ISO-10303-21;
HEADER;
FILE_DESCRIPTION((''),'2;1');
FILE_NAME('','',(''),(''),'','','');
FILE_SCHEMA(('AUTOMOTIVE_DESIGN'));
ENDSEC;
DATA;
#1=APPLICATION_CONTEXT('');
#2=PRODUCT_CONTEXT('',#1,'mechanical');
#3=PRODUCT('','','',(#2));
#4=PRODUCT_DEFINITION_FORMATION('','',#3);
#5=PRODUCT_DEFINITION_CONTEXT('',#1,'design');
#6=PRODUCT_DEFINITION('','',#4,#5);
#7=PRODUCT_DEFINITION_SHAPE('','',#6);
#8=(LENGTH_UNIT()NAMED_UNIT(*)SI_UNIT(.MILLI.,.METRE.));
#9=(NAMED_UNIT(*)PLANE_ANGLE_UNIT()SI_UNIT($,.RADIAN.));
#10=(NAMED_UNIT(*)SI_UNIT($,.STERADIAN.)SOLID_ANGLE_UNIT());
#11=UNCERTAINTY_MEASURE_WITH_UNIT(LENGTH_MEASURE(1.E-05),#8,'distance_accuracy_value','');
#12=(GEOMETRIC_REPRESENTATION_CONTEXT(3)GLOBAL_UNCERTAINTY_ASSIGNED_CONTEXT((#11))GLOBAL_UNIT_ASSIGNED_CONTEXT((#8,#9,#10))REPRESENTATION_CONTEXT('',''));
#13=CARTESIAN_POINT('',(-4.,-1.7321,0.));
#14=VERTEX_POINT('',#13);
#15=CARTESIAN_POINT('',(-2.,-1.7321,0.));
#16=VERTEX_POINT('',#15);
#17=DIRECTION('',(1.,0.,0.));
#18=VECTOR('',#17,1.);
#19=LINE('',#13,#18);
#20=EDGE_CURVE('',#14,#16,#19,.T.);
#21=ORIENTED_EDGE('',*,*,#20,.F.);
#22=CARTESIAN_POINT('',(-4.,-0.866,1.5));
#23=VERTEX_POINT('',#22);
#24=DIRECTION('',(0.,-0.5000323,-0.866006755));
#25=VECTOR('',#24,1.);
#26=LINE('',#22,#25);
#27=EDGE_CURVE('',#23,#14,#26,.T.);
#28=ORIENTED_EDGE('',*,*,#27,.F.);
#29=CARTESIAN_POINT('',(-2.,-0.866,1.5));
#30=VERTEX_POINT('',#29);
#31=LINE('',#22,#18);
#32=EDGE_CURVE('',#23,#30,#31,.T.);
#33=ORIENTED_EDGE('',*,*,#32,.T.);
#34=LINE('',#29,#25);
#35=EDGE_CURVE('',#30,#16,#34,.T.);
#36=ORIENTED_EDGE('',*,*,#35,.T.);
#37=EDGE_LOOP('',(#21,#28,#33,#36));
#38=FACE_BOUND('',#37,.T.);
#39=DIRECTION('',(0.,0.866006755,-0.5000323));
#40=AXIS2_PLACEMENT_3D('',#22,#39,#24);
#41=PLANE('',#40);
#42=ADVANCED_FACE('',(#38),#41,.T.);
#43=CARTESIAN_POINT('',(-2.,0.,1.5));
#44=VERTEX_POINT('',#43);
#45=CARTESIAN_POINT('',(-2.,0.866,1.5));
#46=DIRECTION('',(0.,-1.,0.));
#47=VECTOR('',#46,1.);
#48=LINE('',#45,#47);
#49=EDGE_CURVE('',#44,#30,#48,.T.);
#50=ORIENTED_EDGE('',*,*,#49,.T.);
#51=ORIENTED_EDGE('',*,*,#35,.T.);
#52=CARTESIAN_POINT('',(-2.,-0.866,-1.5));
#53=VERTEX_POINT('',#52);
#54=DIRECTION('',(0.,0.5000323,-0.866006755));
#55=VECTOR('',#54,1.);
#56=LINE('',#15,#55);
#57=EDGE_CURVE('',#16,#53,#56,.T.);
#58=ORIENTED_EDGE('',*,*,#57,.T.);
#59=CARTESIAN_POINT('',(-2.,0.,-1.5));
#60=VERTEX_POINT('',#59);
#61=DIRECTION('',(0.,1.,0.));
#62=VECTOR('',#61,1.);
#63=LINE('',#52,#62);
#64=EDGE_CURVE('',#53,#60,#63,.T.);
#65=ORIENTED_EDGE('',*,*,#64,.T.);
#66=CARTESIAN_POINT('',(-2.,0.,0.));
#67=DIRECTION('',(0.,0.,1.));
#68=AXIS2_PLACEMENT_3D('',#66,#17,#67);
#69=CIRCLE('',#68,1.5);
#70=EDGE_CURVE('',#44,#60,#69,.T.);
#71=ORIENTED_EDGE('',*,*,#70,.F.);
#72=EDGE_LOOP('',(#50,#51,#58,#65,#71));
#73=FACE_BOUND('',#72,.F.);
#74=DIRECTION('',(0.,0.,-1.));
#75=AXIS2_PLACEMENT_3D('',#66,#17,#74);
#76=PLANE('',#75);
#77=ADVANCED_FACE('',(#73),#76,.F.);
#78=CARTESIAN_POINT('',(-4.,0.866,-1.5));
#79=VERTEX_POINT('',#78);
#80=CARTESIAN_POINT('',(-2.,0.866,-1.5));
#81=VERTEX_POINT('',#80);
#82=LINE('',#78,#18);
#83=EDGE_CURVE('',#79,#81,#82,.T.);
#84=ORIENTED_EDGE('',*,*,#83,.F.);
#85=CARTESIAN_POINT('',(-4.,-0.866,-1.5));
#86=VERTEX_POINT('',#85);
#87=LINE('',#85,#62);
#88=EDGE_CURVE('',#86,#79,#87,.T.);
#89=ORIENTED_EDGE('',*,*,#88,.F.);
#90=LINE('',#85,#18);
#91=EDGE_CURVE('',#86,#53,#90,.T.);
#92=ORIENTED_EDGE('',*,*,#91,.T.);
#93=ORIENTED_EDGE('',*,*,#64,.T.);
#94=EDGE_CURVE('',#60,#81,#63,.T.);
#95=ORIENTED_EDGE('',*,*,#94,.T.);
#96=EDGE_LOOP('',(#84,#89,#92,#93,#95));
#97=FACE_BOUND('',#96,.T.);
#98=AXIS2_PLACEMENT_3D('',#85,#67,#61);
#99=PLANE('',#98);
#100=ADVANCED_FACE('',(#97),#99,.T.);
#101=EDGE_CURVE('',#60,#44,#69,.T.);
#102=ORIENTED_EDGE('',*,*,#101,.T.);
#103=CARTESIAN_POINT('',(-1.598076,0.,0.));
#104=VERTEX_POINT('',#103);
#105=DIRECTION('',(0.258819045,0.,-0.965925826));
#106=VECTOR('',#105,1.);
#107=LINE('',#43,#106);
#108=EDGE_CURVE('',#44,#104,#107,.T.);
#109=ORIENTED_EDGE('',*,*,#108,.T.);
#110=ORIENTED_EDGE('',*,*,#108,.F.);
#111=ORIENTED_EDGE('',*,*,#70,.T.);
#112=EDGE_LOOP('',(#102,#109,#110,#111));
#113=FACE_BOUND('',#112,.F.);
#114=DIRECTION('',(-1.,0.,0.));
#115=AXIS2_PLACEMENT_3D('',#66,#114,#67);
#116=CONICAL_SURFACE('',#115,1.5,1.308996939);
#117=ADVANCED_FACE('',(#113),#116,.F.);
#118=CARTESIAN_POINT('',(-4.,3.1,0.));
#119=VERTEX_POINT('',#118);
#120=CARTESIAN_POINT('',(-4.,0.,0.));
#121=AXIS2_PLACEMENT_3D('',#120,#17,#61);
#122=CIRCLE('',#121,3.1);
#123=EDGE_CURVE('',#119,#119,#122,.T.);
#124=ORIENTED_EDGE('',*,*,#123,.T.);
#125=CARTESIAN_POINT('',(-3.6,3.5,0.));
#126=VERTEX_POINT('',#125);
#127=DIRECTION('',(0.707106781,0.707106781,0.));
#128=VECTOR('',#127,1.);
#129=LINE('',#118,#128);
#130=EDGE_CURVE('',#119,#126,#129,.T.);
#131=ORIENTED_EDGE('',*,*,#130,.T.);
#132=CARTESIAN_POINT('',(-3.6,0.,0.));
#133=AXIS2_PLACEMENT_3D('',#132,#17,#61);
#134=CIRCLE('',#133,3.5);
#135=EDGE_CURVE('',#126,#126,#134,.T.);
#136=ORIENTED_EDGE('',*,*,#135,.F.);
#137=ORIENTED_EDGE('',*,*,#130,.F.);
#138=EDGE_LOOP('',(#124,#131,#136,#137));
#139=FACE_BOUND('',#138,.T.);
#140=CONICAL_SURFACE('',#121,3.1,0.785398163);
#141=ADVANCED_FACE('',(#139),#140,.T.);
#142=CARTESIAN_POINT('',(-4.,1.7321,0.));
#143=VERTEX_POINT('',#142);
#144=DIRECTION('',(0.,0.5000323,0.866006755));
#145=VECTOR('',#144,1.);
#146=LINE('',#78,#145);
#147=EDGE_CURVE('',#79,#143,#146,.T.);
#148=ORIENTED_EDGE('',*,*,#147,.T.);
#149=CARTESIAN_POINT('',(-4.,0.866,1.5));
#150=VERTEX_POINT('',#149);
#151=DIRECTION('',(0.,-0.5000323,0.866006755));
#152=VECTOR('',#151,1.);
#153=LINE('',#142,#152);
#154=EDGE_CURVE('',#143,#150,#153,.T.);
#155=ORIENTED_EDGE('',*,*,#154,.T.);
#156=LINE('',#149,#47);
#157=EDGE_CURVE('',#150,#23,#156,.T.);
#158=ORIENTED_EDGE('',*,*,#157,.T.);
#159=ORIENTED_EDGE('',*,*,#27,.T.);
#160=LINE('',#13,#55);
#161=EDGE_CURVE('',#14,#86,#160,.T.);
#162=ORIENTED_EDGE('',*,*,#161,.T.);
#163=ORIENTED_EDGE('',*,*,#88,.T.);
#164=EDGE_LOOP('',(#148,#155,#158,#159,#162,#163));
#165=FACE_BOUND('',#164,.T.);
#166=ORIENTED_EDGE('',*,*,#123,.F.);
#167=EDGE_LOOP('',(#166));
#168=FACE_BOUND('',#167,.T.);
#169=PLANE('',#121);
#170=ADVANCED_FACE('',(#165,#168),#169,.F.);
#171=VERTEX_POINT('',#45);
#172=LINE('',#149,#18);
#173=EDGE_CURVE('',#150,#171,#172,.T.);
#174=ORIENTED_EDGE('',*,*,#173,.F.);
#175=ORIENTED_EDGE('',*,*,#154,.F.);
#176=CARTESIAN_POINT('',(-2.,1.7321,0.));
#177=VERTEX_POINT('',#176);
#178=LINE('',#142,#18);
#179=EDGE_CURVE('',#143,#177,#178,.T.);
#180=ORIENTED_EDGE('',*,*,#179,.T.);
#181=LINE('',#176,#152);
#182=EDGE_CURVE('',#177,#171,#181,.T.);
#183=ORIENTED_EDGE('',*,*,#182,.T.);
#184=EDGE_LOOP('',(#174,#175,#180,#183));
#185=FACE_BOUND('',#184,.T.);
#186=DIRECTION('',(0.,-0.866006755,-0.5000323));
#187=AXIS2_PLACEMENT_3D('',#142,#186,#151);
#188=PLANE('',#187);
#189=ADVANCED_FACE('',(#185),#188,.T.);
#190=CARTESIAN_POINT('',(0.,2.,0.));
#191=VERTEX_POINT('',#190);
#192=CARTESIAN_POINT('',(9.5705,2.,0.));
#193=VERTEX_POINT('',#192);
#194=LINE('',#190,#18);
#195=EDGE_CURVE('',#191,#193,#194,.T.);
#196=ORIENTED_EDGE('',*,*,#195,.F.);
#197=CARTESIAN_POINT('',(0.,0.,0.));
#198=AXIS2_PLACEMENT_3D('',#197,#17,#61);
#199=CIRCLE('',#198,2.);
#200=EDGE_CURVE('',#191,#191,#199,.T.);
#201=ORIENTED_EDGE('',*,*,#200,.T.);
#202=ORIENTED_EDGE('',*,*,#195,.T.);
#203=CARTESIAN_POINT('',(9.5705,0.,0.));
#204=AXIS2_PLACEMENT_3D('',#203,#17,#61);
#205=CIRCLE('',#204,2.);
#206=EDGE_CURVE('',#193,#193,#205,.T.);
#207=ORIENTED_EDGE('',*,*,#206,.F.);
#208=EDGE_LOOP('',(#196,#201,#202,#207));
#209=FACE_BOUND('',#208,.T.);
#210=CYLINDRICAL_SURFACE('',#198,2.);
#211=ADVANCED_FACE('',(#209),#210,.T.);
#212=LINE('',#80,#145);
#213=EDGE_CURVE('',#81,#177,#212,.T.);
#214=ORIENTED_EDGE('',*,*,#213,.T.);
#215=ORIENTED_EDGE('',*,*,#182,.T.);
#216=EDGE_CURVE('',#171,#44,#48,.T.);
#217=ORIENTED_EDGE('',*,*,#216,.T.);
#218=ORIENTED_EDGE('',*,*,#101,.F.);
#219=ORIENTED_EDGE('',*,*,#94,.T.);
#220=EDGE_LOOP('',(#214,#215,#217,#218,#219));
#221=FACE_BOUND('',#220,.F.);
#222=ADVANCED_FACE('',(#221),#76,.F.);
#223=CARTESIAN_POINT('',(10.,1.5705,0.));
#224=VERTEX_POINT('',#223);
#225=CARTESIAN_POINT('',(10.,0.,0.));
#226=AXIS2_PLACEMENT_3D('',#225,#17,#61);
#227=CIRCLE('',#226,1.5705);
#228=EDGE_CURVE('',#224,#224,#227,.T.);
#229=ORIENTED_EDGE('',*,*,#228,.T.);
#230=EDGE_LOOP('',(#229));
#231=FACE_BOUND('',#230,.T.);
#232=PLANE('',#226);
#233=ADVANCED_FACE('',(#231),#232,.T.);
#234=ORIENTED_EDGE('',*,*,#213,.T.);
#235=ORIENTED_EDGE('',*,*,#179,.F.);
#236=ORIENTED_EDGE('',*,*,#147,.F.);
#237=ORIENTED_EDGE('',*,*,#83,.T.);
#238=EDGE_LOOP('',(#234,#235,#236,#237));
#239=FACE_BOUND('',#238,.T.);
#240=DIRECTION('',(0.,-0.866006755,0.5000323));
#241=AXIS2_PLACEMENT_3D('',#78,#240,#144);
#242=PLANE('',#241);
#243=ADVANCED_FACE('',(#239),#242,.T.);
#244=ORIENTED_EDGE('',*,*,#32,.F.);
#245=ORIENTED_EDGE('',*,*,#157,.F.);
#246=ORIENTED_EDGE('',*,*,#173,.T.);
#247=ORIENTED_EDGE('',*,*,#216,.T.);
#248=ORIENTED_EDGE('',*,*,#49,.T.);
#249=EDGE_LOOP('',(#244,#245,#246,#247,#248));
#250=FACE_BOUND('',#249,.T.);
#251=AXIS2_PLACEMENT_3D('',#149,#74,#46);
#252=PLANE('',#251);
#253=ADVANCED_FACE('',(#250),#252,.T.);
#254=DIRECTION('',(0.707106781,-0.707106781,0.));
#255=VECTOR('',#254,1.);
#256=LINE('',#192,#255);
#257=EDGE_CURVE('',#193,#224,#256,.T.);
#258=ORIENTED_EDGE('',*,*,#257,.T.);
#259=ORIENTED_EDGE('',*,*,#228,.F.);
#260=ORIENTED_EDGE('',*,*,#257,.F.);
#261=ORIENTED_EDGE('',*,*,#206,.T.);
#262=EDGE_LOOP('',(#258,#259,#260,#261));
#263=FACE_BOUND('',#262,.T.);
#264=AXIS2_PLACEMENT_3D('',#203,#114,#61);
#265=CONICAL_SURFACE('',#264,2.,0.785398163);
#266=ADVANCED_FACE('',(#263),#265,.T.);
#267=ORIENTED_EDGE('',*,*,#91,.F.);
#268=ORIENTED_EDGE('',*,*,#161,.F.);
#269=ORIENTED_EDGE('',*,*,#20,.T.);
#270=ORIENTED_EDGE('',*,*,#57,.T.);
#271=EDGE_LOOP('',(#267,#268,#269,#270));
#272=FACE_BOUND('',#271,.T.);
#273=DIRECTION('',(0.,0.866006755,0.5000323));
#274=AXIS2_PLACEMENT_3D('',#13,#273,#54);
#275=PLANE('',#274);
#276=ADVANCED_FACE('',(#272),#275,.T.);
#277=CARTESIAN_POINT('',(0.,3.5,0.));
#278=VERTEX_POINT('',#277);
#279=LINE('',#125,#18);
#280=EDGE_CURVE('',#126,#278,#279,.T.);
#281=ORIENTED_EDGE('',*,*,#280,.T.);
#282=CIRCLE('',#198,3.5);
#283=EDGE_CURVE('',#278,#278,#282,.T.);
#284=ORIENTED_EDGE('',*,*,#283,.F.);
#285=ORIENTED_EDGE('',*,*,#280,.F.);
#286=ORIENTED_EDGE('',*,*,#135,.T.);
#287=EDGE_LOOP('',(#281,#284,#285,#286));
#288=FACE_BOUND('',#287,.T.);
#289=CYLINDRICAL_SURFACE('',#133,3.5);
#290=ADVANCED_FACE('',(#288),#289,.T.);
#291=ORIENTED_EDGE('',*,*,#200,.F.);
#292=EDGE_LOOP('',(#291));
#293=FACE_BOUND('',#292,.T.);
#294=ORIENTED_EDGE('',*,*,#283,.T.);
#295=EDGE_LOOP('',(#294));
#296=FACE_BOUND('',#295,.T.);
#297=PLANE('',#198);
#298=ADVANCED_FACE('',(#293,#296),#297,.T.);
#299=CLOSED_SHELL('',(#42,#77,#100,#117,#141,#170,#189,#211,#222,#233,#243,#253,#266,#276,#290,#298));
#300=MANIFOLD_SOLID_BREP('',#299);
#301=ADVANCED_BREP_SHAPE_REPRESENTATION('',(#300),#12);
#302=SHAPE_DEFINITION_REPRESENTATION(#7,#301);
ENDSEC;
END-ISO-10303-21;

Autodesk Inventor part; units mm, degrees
sketch "Sketch_1" plane through (0, 0, 0) normal (0, 0, 1) x (1, 0, 0)
  line L0 (10, 0) -> (-4, 0)
  line L1 (-4, 0) -> (-4, 3.1)
  line L2 (-4, 3.1) -> (-3.6, 3.5)
  line L3 (-3.6, 3.5) -> (0, 3.5)
  line L4 (0, 3.5) -> (0, 2)
  line L5 (0, 2) -> (9.5705, 2)
  line L6 (9.5705, 2) -> (10, 1.5705)
  line L7 (10, 1.5705) -> (10, 0)
  line L8 (10, 0) -> (-4, 0)
revolve "Revolution1" add sketch "Sketch_1" angle 360 about axis through (10, 0, 0) along (1, 0, 0)
thread "Thread1" size "M4x0.7" class "6g" standard "ISO Metric profile" length 8.5705
sketch "Sketch2" plane through (-4, 0, 0) normal (-1, 0, 0) x (0, 0, 1)
  point P0 (0, 0)
hole "Hole1" at (-4, 0, 0) direction (1, 0, 0) diameter 3 depth 2 tip angle 150
sketch "Sketch_3" plane through (-4, 0, 0) normal (1, 0, 0) x (0, 0, -1)
  line L0 (-1.5, -0.866) -> (0, -1.7321)
  line L1 (0, -1.7321) -> (1.5, -0.866)
  line L2 (1.5, -0.866) -> (1.5, 0.866)
  line L3 (1.5, 0.866) -> (0, 1.7321)
  line L4 (0, 1.7321) -> (-1.5, 0.866)
  line L5 (-1.5, 0.866) -> (-1.5, -0.866)
extrude "Extrusion1" cut sketch "Sketch_3" along normal blind 2
ref_plane "bolt_to_nut_XY" through (10, 0, 0) normal (1, 0, 0) x (0, 0, -1)
ref_plane "bolt_to_nut_YZ" through (10, 0, 0) normal (0, 0, -1) x (0, 1, 0)
ref_plane "bolt_to_nut_ZX" through (10, 0, 0) normal (0, 1, 0) x (1, 0, 0)
ref_plane "screw1_XY" through (0, 0, 0) normal (1, 0, 0) x (0, 0, -1)
ref_plane "screw1_YZ" through (0, 0, 0) normal (0, 0, -1) x (0, 1, 0)
ref_plane "screw1_ZX" through (0, 0, 0) normal (0, 1, 0) x (1, 0, 0)
properties part number "CB4-10" material "鋼、炭素鋼"
